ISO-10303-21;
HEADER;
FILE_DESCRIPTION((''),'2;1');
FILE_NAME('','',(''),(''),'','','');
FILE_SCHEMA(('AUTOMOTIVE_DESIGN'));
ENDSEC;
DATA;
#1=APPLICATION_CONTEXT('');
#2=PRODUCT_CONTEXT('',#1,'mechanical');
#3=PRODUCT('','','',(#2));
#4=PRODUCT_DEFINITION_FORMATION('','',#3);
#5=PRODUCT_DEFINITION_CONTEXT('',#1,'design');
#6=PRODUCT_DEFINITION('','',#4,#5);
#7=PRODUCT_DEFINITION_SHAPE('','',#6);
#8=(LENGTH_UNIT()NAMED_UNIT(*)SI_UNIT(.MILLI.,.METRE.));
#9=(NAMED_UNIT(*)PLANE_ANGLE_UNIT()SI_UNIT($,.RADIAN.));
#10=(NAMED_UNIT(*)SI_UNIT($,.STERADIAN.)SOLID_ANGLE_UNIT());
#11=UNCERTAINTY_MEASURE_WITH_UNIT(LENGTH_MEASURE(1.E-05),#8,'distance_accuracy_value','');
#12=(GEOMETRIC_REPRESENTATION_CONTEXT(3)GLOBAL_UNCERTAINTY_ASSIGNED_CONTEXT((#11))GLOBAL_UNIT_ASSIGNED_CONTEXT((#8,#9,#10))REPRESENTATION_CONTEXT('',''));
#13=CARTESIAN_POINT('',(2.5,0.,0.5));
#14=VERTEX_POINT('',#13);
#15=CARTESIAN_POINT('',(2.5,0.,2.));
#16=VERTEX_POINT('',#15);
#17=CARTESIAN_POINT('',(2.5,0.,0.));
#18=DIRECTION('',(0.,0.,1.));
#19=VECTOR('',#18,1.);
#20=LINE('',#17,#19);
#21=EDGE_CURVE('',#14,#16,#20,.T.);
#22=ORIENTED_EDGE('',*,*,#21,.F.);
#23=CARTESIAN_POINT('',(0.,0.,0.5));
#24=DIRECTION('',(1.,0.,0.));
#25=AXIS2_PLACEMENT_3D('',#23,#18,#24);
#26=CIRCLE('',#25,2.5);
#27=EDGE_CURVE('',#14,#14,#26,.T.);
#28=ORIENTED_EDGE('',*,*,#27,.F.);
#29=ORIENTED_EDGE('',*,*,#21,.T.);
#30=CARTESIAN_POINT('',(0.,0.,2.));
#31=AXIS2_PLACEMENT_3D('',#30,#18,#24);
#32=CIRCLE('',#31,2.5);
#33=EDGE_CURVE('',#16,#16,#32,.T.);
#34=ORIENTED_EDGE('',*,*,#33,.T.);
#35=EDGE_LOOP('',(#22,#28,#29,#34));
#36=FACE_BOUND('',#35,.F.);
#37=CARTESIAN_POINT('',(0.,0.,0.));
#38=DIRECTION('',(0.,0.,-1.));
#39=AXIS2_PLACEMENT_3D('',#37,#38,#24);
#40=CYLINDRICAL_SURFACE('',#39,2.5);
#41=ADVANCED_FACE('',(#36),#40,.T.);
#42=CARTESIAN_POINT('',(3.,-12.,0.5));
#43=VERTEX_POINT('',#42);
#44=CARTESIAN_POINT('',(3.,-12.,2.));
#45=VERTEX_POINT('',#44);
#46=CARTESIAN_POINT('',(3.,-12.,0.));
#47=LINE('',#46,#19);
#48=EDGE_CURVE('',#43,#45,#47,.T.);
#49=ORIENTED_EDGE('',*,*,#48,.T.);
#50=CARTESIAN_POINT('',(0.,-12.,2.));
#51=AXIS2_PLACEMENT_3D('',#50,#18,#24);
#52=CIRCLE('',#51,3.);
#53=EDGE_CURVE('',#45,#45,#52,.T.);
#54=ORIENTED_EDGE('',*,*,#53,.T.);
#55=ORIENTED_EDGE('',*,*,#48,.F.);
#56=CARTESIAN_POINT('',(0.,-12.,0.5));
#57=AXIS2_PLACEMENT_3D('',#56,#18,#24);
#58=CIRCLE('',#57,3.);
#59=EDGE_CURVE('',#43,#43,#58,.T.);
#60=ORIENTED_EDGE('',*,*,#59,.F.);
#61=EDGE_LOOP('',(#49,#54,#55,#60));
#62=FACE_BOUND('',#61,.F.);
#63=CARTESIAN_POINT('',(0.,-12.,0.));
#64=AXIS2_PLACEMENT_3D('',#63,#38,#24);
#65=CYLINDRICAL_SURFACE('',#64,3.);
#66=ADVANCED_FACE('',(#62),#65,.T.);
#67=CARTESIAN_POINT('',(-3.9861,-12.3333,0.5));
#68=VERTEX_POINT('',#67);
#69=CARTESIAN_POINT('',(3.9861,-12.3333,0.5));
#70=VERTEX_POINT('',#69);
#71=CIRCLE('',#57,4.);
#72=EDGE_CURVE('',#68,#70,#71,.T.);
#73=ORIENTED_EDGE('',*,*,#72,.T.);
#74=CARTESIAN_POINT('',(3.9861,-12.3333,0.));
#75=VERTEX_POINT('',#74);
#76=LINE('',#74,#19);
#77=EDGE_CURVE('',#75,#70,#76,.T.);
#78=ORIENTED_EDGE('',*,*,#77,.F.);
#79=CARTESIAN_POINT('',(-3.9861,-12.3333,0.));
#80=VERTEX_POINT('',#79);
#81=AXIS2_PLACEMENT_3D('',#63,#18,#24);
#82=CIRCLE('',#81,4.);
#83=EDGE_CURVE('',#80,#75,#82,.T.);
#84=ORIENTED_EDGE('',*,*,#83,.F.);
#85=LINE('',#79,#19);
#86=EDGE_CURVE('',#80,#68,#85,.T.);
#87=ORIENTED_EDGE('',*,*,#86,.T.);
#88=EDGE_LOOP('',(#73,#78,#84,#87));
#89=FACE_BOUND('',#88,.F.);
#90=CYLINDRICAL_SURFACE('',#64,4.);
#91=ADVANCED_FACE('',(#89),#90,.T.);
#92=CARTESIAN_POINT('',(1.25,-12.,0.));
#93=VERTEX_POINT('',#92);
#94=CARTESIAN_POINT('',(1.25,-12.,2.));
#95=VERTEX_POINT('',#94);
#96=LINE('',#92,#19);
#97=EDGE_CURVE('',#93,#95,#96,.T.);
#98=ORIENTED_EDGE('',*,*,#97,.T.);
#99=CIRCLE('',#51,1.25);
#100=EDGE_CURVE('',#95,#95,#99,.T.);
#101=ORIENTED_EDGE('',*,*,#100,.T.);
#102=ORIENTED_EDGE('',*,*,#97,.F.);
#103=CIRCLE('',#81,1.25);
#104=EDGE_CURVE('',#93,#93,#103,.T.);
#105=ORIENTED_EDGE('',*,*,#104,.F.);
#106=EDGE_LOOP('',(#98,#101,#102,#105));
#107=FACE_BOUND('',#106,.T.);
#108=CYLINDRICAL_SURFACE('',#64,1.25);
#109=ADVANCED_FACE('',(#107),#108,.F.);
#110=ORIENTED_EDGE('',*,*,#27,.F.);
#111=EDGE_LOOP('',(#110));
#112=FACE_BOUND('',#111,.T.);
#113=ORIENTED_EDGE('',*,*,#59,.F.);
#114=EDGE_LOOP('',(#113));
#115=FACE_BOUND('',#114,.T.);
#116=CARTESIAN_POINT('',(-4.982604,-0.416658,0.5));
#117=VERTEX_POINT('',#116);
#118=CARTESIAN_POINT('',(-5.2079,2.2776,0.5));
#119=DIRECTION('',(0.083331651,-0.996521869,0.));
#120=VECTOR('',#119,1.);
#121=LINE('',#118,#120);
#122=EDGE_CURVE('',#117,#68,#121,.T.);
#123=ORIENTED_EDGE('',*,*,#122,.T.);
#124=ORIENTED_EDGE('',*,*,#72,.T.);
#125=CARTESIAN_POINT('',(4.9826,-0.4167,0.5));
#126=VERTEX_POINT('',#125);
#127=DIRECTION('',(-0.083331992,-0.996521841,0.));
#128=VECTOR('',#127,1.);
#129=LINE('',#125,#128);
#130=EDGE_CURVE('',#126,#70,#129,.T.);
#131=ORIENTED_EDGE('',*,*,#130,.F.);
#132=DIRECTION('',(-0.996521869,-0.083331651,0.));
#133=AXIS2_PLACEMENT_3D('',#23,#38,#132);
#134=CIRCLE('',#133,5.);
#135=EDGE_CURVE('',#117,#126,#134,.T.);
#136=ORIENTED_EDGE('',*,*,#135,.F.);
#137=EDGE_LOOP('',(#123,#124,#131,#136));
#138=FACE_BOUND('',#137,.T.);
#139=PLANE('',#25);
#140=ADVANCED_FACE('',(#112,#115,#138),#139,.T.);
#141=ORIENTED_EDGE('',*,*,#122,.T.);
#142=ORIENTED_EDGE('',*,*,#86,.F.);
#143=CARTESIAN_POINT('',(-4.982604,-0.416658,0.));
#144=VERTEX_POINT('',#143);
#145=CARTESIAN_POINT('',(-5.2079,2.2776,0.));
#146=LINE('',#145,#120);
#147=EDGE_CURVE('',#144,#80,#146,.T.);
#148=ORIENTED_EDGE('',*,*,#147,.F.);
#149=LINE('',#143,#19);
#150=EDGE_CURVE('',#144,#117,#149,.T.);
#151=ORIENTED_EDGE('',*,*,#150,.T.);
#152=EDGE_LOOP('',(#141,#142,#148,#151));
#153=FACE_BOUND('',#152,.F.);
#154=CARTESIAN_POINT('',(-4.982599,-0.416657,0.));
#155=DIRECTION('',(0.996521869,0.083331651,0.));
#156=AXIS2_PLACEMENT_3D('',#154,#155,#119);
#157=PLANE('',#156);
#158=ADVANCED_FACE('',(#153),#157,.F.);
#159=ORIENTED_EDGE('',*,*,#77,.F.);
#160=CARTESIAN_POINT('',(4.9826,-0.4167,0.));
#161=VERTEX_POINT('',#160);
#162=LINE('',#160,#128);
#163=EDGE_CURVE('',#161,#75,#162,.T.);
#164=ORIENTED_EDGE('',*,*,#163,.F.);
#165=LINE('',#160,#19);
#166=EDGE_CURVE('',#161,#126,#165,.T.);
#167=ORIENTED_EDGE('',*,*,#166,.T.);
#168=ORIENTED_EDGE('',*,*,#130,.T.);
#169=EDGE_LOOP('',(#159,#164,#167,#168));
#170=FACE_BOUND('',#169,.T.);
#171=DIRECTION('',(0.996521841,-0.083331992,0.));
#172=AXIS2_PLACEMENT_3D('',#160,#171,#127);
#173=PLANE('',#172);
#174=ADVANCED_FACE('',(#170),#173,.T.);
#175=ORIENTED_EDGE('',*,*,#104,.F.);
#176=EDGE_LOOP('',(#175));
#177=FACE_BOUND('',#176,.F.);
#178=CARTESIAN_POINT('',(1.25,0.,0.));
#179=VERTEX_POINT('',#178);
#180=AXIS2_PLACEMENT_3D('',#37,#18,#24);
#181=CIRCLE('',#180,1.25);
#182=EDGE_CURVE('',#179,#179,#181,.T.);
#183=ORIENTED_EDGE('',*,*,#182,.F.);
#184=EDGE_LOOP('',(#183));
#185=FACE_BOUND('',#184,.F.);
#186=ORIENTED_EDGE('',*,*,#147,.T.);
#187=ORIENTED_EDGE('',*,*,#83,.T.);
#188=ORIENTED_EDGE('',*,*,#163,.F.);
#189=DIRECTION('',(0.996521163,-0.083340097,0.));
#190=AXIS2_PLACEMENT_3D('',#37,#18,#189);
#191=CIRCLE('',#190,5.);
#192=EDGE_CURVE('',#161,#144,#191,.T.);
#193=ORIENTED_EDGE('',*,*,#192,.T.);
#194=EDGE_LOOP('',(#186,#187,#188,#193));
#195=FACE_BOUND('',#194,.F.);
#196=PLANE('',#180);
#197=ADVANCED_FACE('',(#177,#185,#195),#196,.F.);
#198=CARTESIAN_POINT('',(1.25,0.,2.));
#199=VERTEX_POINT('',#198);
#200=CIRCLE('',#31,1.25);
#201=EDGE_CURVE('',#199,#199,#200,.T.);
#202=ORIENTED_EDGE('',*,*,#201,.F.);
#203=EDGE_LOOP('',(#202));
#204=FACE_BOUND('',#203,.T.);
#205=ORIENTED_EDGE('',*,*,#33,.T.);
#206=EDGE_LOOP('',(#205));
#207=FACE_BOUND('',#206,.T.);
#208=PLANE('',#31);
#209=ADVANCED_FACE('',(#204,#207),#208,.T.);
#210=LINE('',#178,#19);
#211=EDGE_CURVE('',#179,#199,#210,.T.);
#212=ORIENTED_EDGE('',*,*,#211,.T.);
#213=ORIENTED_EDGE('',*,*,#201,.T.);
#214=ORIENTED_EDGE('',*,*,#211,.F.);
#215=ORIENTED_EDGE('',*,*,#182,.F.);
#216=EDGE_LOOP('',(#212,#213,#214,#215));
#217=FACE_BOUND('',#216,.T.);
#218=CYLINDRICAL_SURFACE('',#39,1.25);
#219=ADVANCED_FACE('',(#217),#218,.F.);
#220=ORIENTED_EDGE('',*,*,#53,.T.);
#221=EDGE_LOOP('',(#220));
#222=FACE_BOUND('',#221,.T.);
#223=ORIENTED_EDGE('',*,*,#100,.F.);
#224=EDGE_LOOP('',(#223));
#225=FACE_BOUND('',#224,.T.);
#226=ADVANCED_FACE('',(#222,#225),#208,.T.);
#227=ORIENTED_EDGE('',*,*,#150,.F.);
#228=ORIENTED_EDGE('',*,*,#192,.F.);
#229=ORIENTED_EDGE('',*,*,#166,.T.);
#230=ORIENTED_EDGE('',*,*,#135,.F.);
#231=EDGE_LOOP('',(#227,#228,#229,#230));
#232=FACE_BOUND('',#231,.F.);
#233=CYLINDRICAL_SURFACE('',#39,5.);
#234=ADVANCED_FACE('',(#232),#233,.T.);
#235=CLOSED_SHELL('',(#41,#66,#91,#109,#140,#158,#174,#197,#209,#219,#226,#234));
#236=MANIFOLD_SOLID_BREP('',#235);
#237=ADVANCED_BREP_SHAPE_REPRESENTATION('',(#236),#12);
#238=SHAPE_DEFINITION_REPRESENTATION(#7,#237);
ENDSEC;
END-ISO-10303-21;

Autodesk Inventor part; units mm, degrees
ref_plane "YZ Plane" through (0, 0, 0) normal (1, 0, 0) x (0, 1, 0)
ref_plane "XZ Plane" through (0, 0, 0) normal (0, 1, 0) x (-1, 0, 0)
ref_plane "XY Plane" through (0, 0, 0) normal (0, 0, 1) x (1, 0, 0)
sketch "スケッチ1" plane through (0, 0, 0) normal (0, 0, 1) x (1, 0, 0)
  circle A0 centre (0, 0) radius 5
  circle A1 centre (0, -25) radius 10 construction
  spline S0 degree 4 number of poles 181
  arc A2 (-34.6019, -43.3635) -> (-36.604, -46.8264) centre (-35.6029, -45.0949) ccw
  line L0 (-36.604, -46.8264) -> (-35.6029, -45.0949) construction
  line L1 (-34.6019, -43.3635) -> (-35.6029, -45.0949) construction
  arc A3 (9.9747, -25.7104) -> (36.4435, -41.8861) centre (27.3937, -26.9509) ccw
  arc A4 (-34.6019, -43.3635) -> (-9.8865, -26.5022) centre (-26.2949, -28.9953) ccw
  line L2 (-4.899, 1) -> (-9.798, -23) construction
  line L3 (4.899, 1) -> (9.798, -23) construction
  circle A5 centre (0, 0) radius 2.5
  circle A6 centre (0, 0) radius 1.25
  circle A7 centre (0, -12) radius 1.25
  circle A8 centre (0, -12) radius 3
  circle A9 centre (0, -12) radius 4.255 construction
  line L4 (-3.817, -10.1196) -> (-8.9705, -20.5808) construction
  line L5 (3.817, -10.1196) -> (8.9705, -20.5808) construction
  circle A10 centre (0, -25) radius 7.025 construction
  circle A11 centre (0, -12) radius 4
  line L6 (17.164, -48.1611) -> (13.7217, -46.1237)
  line L7 (13.7217, -46.1237) -> (15.7591, -42.6814)
  line L8 (15.7591, -42.6814) -> (19.2014, -44.7188)
  line L9 (19.2014, -44.7188) -> (17.164, -48.1611)
  line L10 (-17.2597, -45.3722) -> (-13.9841, -43.0765)
  line L11 (-13.9841, -43.0765) -> (-11.6884, -46.3522)
  line L12 (-11.6884, -46.3522) -> (-14.964, -48.6478)
  line L13 (-14.964, -48.6478) -> (-17.2597, -45.3722)
  line L14 (15.4429, -47.1424) -> (17.4802, -43.7001) construction
  line L15 (-15.6219, -44.2243) -> (-13.3262, -47.5) construction
  arc A12 (38.5164, -45.3071) -> (36.4435, -41.8861) centre (37.48, -43.5966) ccw
  line L16 (38.5164, -45.3071) -> (37.48, -43.5966) construction
  line L17 (36.4435, -41.8861) -> (37.48, -43.5966) construction
  line L18 (-5.2079, 2.2776) -> (-3.9861, -12.3333)
  line L19 (4.9826, -0.4167) -> (3.9861, -12.3333)
  point P0 (38.0735, -45.574)
  point P1 (37.6323, -45.8368)
  point P2 (37.1929, -46.0956)
  point P3 (36.755, -46.3505)
  point P4 (36.3186, -46.6016)
  point P5 (35.8837, -46.8488)
  point P6 (35.4502, -47.0924)
  point P7 (35.0179, -47.3322)
  point P8 (34.5869, -47.5685)
  point P9 (34.157, -47.8012)
  point P10 (33.7283, -48.0304)
  point P11 (33.3005, -48.2561)
  point P12 (32.8738, -48.4785)
  point P13 (32.4479, -48.6974)
  point P14 (32.023, -48.9131)
  point P15 (31.5988, -49.1254)
  point P16 (31.1754, -49.3346)
  point P17 (30.7527, -49.5405)
  point P18 (30.3307, -49.7432)
  point P19 (29.9093, -49.9428)
  point P20 (29.4885, -50.1393)
  point P21 (29.0683, -50.3328)
  point P22 (28.6485, -50.5231)
  point P23 (28.2292, -50.7105)
  point P24 (27.8103, -50.8948)
  point P25 (27.3918, -51.0762)
  point P26 (26.9737, -51.2547)
  point P27 (26.5559, -51.4302)
  point P28 (26.1384, -51.6028)
  point P29 (25.7211, -51.7725)
  point P30 (25.3041, -51.9393)
  point P31 (24.8874, -52.1033)
  point P32 (24.4708, -52.2644)
  point P33 (24.0544, -52.4227)
  point P34 (23.6381, -52.5782)
  point P35 (23.2219, -52.731)
  point P36 (22.8059, -52.8809)
  point P37 (22.39, -53.028)
  point P38 (21.9741, -53.1724)
  point P39 (21.5582, -53.3141)
  point P40 (21.1424, -53.453)
  point P41 (20.7266, -53.5892)
  point P42 (20.3109, -53.7226)
  point P43 (19.8951, -53.8534)
  point P44 (19.4793, -53.9814)
  point P45 (19.0635, -54.1068)
  point P46 (18.6476, -54.2294)
  point P47 (18.2317, -54.3494)
  point P48 (17.8157, -54.4666)
  point P49 (17.3997, -54.5812)
  point P50 (16.9836, -54.6931)
  point P51 (16.5674, -54.8024)
  point P52 (16.1511, -54.909)
  point P53 (15.7347, -55.0129)
  point P54 (15.3182, -55.1141)
  point P55 (14.9017, -55.2128)
  point P56 (14.485, -55.3087)
  point P57 (14.0682, -55.402)
  point P58 (13.6513, -55.4927)
  point P59 (13.2343, -55.5807)
  point P60 (12.8172, -55.666)
  point P61 (12.3999, -55.7487)
  point P62 (11.9826, -55.8288)
  point P63 (11.5651, -55.9062)
  point P64 (11.1476, -55.981)
  point P65 (10.7299, -56.0532)
  point P66 (10.3121, -56.1227)
  point P67 (9.8942, -56.1895)
  point P68 (9.4762, -56.2538)
  point P69 (9.0581, -56.3154)
  point P70 (8.6399, -56.3743)
  point P71 (8.2216, -56.4306)
  point P72 (7.8032, -56.4843)
  point P73 (7.3847, -56.5353)
  point P74 (6.9661, -56.5837)
  point P75 (6.5474, -56.6295)
  point P76 (6.1287, -56.6726)
  point P77 (5.7099, -56.7131)
  point P78 (5.2911, -56.751)
  point P79 (4.8721, -56.7862)
  point P80 (4.4532, -56.8187)
  point P81 (4.0341, -56.8487)
  point P82 (3.6151, -56.876)
  point P83 (3.196, -56.9006)
  point P84 (2.7768, -56.9226)
  point P85 (2.3577, -56.942)
  point P86 (1.9385, -56.9588)
  point P87 (1.5194, -56.9728)
  point P88 (1.1002, -56.9843)
  point P89 (0.681, -56.9931)
  point P90 (0.2619, -56.9993)
  point P91 (-0.1572, -57.0028)
  point P92 (-0.5763, -57.0037)
  point P93 (-0.9954, -57.002)
  point P94 (-1.4144, -56.9976)
  point P95 (-1.8334, -56.9906)
  point P96 (-2.2523, -56.9809)
  point P97 (-2.6711, -56.9686)
  point P98 (-3.0898, -56.9537)
  point P99 (-3.5085, -56.9361)
  point P100 (-3.9271, -56.9159)
  point P101 (-4.3456, -56.893)
  point P102 (-4.764, -56.8675)
  point P103 (-5.1822, -56.8394)
  point P104 (-5.6004, -56.8086)
  point P105 (-6.0184, -56.7752)
  point P106 (-6.4363, -56.7391)
  point P107 (-6.854, -56.7004)
  point P108 (-7.2716, -56.6591)
  point P109 (-7.689, -56.6152)
  point P110 (-8.1063, -56.5686)
  point P111 (-8.5234, -56.5194)
  point P112 (-8.9403, -56.4675)
  point P113 (-9.357, -56.413)
  point P114 (-9.7736, -56.3559)
  point P115 (-10.1899, -56.2961)
  point P116 (-10.6061, -56.2337)
  point P117 (-11.022, -56.1687)
  point P118 (-11.4378, -56.1011)
  point P119 (-11.8533, -56.0308)
  point P120 (-12.2686, -55.9579)
  point P121 (-12.6837, -55.8823)
  point P122 (-13.0985, -55.8041)
  point P123 (-13.5132, -55.7233)
  point P124 (-13.9276, -55.6399)
  point P125 (-14.3417, -55.5538)
  point P126 (-14.7557, -55.4651)
  point P127 (-15.1694, -55.3738)
  point P128 (-15.5828, -55.2798)
  point P129 (-15.996, -55.1832)
  point P130 (-16.409, -55.084)
  point P131 (-16.8217, -54.9821)
  point P132 (-17.2342, -54.8776)
  point P133 (-17.6465, -54.7704)
  point P134 (-18.0585, -54.6606)
  point P135 (-18.4703, -54.5482)
  point P136 (-18.8818, -54.4331)
  point P137 (-19.2932, -54.3154)
  point P138 (-19.7043, -54.195)
  point P139 (-20.1152, -54.0719)
  point P140 (-20.5259, -53.9462)
  point P141 (-20.9364, -53.8179)
  point P142 (-21.3468, -53.6868)
  point P143 (-21.7569, -53.5531)
  point P144 (-22.1669, -53.4167)
  point P145 (-22.5767, -53.2776)
  point P146 (-22.9864, -53.1358)
  point P147 (-23.3959, -52.9913)
  point P148 (-23.8053, -52.8441)
  point P149 (-24.2147, -52.6941)
  point P150 (-24.6239, -52.5414)
  point P151 (-25.0331, -52.386)
  point P152 (-25.4422, -52.2278)
  point P153 (-25.8514, -52.0669)
  point P154 (-26.2605, -51.9031)
  point P155 (-26.6697, -51.7366)
  point P156 (-27.0789, -51.5672)
  point P157 (-27.4882, -51.395)
  point P158 (-27.8976, -51.2199)
  point P159 (-28.3071, -51.0419)
  point P160 (-28.7169, -50.8611)
  point P161 (-29.1269, -50.6773)
  point P162 (-29.5371, -50.4905)
  point P163 (-29.9476, -50.3008)
  point P164 (-30.3585, -50.1081)
  point P165 (-30.7698, -49.9123)
  point P166 (-31.1815, -49.7134)
  point P167 (-31.5937, -49.5114)
  point P168 (-32.0065, -49.3063)
  point P169 (-32.4199, -49.0979)
  point P170 (-32.8339, -48.8863)
  point P171 (-33.2488, -48.6714)
  point P172 (-33.6644, -48.4532)
  point P173 (-34.081, -48.2315)
  point P174 (-34.4985, -48.0064)
  point P175 (-34.9171, -47.7778)
  point P176 (-35.3368, -47.5455)
  point P177 (-35.7578, -47.3096)
  point P178 (-36.1802, -47.0699)
  point P179 (-4.9826, -0.4167)
  dimension "d0" = 10
  dimension "d1" = 20
  dimension "d2" = 2
  dimension "d3" = 180
  dimension "d4" = 25
  dimension "d5" = 5
  dimension "d6" = 2.5
  dimension "d7" = 2.5
  dimension "d8" = 6
  dimension "d9" = 8.51
  dimension "d10" = 12
  dimension "d11" = 14.05
  dimension "d12" = 8
  dimension "d13" = 4
  dimension "d14" = 4
  dimension "d15" = 4
  dimension "d16" = 4
  dimension "d17" = 16.5967
  dimension "d18" = 17.4631
  dimension "d19" = 18.5967
  dimension "d20" = 19.4631
  dimension "d21" = 20
  dimension "d22" = 2
  dimension "d23" = 180
  dimension "d24" = 20
extrude "押し出し1" add sketch "スケッチ1" along normal blind 0.5 contours A0 | L19 A11 L18 A0 | A11
extrude "押し出し2" add sketch "スケッチ1" along normal blind 2 contours A5 | A8
equation "\"d4\" = d25"
equation "\"d6\" = d7"
equation "\"d25\" = 25"
properties part number "揺動節抑え" material "アルミニウム 2014-T4"
